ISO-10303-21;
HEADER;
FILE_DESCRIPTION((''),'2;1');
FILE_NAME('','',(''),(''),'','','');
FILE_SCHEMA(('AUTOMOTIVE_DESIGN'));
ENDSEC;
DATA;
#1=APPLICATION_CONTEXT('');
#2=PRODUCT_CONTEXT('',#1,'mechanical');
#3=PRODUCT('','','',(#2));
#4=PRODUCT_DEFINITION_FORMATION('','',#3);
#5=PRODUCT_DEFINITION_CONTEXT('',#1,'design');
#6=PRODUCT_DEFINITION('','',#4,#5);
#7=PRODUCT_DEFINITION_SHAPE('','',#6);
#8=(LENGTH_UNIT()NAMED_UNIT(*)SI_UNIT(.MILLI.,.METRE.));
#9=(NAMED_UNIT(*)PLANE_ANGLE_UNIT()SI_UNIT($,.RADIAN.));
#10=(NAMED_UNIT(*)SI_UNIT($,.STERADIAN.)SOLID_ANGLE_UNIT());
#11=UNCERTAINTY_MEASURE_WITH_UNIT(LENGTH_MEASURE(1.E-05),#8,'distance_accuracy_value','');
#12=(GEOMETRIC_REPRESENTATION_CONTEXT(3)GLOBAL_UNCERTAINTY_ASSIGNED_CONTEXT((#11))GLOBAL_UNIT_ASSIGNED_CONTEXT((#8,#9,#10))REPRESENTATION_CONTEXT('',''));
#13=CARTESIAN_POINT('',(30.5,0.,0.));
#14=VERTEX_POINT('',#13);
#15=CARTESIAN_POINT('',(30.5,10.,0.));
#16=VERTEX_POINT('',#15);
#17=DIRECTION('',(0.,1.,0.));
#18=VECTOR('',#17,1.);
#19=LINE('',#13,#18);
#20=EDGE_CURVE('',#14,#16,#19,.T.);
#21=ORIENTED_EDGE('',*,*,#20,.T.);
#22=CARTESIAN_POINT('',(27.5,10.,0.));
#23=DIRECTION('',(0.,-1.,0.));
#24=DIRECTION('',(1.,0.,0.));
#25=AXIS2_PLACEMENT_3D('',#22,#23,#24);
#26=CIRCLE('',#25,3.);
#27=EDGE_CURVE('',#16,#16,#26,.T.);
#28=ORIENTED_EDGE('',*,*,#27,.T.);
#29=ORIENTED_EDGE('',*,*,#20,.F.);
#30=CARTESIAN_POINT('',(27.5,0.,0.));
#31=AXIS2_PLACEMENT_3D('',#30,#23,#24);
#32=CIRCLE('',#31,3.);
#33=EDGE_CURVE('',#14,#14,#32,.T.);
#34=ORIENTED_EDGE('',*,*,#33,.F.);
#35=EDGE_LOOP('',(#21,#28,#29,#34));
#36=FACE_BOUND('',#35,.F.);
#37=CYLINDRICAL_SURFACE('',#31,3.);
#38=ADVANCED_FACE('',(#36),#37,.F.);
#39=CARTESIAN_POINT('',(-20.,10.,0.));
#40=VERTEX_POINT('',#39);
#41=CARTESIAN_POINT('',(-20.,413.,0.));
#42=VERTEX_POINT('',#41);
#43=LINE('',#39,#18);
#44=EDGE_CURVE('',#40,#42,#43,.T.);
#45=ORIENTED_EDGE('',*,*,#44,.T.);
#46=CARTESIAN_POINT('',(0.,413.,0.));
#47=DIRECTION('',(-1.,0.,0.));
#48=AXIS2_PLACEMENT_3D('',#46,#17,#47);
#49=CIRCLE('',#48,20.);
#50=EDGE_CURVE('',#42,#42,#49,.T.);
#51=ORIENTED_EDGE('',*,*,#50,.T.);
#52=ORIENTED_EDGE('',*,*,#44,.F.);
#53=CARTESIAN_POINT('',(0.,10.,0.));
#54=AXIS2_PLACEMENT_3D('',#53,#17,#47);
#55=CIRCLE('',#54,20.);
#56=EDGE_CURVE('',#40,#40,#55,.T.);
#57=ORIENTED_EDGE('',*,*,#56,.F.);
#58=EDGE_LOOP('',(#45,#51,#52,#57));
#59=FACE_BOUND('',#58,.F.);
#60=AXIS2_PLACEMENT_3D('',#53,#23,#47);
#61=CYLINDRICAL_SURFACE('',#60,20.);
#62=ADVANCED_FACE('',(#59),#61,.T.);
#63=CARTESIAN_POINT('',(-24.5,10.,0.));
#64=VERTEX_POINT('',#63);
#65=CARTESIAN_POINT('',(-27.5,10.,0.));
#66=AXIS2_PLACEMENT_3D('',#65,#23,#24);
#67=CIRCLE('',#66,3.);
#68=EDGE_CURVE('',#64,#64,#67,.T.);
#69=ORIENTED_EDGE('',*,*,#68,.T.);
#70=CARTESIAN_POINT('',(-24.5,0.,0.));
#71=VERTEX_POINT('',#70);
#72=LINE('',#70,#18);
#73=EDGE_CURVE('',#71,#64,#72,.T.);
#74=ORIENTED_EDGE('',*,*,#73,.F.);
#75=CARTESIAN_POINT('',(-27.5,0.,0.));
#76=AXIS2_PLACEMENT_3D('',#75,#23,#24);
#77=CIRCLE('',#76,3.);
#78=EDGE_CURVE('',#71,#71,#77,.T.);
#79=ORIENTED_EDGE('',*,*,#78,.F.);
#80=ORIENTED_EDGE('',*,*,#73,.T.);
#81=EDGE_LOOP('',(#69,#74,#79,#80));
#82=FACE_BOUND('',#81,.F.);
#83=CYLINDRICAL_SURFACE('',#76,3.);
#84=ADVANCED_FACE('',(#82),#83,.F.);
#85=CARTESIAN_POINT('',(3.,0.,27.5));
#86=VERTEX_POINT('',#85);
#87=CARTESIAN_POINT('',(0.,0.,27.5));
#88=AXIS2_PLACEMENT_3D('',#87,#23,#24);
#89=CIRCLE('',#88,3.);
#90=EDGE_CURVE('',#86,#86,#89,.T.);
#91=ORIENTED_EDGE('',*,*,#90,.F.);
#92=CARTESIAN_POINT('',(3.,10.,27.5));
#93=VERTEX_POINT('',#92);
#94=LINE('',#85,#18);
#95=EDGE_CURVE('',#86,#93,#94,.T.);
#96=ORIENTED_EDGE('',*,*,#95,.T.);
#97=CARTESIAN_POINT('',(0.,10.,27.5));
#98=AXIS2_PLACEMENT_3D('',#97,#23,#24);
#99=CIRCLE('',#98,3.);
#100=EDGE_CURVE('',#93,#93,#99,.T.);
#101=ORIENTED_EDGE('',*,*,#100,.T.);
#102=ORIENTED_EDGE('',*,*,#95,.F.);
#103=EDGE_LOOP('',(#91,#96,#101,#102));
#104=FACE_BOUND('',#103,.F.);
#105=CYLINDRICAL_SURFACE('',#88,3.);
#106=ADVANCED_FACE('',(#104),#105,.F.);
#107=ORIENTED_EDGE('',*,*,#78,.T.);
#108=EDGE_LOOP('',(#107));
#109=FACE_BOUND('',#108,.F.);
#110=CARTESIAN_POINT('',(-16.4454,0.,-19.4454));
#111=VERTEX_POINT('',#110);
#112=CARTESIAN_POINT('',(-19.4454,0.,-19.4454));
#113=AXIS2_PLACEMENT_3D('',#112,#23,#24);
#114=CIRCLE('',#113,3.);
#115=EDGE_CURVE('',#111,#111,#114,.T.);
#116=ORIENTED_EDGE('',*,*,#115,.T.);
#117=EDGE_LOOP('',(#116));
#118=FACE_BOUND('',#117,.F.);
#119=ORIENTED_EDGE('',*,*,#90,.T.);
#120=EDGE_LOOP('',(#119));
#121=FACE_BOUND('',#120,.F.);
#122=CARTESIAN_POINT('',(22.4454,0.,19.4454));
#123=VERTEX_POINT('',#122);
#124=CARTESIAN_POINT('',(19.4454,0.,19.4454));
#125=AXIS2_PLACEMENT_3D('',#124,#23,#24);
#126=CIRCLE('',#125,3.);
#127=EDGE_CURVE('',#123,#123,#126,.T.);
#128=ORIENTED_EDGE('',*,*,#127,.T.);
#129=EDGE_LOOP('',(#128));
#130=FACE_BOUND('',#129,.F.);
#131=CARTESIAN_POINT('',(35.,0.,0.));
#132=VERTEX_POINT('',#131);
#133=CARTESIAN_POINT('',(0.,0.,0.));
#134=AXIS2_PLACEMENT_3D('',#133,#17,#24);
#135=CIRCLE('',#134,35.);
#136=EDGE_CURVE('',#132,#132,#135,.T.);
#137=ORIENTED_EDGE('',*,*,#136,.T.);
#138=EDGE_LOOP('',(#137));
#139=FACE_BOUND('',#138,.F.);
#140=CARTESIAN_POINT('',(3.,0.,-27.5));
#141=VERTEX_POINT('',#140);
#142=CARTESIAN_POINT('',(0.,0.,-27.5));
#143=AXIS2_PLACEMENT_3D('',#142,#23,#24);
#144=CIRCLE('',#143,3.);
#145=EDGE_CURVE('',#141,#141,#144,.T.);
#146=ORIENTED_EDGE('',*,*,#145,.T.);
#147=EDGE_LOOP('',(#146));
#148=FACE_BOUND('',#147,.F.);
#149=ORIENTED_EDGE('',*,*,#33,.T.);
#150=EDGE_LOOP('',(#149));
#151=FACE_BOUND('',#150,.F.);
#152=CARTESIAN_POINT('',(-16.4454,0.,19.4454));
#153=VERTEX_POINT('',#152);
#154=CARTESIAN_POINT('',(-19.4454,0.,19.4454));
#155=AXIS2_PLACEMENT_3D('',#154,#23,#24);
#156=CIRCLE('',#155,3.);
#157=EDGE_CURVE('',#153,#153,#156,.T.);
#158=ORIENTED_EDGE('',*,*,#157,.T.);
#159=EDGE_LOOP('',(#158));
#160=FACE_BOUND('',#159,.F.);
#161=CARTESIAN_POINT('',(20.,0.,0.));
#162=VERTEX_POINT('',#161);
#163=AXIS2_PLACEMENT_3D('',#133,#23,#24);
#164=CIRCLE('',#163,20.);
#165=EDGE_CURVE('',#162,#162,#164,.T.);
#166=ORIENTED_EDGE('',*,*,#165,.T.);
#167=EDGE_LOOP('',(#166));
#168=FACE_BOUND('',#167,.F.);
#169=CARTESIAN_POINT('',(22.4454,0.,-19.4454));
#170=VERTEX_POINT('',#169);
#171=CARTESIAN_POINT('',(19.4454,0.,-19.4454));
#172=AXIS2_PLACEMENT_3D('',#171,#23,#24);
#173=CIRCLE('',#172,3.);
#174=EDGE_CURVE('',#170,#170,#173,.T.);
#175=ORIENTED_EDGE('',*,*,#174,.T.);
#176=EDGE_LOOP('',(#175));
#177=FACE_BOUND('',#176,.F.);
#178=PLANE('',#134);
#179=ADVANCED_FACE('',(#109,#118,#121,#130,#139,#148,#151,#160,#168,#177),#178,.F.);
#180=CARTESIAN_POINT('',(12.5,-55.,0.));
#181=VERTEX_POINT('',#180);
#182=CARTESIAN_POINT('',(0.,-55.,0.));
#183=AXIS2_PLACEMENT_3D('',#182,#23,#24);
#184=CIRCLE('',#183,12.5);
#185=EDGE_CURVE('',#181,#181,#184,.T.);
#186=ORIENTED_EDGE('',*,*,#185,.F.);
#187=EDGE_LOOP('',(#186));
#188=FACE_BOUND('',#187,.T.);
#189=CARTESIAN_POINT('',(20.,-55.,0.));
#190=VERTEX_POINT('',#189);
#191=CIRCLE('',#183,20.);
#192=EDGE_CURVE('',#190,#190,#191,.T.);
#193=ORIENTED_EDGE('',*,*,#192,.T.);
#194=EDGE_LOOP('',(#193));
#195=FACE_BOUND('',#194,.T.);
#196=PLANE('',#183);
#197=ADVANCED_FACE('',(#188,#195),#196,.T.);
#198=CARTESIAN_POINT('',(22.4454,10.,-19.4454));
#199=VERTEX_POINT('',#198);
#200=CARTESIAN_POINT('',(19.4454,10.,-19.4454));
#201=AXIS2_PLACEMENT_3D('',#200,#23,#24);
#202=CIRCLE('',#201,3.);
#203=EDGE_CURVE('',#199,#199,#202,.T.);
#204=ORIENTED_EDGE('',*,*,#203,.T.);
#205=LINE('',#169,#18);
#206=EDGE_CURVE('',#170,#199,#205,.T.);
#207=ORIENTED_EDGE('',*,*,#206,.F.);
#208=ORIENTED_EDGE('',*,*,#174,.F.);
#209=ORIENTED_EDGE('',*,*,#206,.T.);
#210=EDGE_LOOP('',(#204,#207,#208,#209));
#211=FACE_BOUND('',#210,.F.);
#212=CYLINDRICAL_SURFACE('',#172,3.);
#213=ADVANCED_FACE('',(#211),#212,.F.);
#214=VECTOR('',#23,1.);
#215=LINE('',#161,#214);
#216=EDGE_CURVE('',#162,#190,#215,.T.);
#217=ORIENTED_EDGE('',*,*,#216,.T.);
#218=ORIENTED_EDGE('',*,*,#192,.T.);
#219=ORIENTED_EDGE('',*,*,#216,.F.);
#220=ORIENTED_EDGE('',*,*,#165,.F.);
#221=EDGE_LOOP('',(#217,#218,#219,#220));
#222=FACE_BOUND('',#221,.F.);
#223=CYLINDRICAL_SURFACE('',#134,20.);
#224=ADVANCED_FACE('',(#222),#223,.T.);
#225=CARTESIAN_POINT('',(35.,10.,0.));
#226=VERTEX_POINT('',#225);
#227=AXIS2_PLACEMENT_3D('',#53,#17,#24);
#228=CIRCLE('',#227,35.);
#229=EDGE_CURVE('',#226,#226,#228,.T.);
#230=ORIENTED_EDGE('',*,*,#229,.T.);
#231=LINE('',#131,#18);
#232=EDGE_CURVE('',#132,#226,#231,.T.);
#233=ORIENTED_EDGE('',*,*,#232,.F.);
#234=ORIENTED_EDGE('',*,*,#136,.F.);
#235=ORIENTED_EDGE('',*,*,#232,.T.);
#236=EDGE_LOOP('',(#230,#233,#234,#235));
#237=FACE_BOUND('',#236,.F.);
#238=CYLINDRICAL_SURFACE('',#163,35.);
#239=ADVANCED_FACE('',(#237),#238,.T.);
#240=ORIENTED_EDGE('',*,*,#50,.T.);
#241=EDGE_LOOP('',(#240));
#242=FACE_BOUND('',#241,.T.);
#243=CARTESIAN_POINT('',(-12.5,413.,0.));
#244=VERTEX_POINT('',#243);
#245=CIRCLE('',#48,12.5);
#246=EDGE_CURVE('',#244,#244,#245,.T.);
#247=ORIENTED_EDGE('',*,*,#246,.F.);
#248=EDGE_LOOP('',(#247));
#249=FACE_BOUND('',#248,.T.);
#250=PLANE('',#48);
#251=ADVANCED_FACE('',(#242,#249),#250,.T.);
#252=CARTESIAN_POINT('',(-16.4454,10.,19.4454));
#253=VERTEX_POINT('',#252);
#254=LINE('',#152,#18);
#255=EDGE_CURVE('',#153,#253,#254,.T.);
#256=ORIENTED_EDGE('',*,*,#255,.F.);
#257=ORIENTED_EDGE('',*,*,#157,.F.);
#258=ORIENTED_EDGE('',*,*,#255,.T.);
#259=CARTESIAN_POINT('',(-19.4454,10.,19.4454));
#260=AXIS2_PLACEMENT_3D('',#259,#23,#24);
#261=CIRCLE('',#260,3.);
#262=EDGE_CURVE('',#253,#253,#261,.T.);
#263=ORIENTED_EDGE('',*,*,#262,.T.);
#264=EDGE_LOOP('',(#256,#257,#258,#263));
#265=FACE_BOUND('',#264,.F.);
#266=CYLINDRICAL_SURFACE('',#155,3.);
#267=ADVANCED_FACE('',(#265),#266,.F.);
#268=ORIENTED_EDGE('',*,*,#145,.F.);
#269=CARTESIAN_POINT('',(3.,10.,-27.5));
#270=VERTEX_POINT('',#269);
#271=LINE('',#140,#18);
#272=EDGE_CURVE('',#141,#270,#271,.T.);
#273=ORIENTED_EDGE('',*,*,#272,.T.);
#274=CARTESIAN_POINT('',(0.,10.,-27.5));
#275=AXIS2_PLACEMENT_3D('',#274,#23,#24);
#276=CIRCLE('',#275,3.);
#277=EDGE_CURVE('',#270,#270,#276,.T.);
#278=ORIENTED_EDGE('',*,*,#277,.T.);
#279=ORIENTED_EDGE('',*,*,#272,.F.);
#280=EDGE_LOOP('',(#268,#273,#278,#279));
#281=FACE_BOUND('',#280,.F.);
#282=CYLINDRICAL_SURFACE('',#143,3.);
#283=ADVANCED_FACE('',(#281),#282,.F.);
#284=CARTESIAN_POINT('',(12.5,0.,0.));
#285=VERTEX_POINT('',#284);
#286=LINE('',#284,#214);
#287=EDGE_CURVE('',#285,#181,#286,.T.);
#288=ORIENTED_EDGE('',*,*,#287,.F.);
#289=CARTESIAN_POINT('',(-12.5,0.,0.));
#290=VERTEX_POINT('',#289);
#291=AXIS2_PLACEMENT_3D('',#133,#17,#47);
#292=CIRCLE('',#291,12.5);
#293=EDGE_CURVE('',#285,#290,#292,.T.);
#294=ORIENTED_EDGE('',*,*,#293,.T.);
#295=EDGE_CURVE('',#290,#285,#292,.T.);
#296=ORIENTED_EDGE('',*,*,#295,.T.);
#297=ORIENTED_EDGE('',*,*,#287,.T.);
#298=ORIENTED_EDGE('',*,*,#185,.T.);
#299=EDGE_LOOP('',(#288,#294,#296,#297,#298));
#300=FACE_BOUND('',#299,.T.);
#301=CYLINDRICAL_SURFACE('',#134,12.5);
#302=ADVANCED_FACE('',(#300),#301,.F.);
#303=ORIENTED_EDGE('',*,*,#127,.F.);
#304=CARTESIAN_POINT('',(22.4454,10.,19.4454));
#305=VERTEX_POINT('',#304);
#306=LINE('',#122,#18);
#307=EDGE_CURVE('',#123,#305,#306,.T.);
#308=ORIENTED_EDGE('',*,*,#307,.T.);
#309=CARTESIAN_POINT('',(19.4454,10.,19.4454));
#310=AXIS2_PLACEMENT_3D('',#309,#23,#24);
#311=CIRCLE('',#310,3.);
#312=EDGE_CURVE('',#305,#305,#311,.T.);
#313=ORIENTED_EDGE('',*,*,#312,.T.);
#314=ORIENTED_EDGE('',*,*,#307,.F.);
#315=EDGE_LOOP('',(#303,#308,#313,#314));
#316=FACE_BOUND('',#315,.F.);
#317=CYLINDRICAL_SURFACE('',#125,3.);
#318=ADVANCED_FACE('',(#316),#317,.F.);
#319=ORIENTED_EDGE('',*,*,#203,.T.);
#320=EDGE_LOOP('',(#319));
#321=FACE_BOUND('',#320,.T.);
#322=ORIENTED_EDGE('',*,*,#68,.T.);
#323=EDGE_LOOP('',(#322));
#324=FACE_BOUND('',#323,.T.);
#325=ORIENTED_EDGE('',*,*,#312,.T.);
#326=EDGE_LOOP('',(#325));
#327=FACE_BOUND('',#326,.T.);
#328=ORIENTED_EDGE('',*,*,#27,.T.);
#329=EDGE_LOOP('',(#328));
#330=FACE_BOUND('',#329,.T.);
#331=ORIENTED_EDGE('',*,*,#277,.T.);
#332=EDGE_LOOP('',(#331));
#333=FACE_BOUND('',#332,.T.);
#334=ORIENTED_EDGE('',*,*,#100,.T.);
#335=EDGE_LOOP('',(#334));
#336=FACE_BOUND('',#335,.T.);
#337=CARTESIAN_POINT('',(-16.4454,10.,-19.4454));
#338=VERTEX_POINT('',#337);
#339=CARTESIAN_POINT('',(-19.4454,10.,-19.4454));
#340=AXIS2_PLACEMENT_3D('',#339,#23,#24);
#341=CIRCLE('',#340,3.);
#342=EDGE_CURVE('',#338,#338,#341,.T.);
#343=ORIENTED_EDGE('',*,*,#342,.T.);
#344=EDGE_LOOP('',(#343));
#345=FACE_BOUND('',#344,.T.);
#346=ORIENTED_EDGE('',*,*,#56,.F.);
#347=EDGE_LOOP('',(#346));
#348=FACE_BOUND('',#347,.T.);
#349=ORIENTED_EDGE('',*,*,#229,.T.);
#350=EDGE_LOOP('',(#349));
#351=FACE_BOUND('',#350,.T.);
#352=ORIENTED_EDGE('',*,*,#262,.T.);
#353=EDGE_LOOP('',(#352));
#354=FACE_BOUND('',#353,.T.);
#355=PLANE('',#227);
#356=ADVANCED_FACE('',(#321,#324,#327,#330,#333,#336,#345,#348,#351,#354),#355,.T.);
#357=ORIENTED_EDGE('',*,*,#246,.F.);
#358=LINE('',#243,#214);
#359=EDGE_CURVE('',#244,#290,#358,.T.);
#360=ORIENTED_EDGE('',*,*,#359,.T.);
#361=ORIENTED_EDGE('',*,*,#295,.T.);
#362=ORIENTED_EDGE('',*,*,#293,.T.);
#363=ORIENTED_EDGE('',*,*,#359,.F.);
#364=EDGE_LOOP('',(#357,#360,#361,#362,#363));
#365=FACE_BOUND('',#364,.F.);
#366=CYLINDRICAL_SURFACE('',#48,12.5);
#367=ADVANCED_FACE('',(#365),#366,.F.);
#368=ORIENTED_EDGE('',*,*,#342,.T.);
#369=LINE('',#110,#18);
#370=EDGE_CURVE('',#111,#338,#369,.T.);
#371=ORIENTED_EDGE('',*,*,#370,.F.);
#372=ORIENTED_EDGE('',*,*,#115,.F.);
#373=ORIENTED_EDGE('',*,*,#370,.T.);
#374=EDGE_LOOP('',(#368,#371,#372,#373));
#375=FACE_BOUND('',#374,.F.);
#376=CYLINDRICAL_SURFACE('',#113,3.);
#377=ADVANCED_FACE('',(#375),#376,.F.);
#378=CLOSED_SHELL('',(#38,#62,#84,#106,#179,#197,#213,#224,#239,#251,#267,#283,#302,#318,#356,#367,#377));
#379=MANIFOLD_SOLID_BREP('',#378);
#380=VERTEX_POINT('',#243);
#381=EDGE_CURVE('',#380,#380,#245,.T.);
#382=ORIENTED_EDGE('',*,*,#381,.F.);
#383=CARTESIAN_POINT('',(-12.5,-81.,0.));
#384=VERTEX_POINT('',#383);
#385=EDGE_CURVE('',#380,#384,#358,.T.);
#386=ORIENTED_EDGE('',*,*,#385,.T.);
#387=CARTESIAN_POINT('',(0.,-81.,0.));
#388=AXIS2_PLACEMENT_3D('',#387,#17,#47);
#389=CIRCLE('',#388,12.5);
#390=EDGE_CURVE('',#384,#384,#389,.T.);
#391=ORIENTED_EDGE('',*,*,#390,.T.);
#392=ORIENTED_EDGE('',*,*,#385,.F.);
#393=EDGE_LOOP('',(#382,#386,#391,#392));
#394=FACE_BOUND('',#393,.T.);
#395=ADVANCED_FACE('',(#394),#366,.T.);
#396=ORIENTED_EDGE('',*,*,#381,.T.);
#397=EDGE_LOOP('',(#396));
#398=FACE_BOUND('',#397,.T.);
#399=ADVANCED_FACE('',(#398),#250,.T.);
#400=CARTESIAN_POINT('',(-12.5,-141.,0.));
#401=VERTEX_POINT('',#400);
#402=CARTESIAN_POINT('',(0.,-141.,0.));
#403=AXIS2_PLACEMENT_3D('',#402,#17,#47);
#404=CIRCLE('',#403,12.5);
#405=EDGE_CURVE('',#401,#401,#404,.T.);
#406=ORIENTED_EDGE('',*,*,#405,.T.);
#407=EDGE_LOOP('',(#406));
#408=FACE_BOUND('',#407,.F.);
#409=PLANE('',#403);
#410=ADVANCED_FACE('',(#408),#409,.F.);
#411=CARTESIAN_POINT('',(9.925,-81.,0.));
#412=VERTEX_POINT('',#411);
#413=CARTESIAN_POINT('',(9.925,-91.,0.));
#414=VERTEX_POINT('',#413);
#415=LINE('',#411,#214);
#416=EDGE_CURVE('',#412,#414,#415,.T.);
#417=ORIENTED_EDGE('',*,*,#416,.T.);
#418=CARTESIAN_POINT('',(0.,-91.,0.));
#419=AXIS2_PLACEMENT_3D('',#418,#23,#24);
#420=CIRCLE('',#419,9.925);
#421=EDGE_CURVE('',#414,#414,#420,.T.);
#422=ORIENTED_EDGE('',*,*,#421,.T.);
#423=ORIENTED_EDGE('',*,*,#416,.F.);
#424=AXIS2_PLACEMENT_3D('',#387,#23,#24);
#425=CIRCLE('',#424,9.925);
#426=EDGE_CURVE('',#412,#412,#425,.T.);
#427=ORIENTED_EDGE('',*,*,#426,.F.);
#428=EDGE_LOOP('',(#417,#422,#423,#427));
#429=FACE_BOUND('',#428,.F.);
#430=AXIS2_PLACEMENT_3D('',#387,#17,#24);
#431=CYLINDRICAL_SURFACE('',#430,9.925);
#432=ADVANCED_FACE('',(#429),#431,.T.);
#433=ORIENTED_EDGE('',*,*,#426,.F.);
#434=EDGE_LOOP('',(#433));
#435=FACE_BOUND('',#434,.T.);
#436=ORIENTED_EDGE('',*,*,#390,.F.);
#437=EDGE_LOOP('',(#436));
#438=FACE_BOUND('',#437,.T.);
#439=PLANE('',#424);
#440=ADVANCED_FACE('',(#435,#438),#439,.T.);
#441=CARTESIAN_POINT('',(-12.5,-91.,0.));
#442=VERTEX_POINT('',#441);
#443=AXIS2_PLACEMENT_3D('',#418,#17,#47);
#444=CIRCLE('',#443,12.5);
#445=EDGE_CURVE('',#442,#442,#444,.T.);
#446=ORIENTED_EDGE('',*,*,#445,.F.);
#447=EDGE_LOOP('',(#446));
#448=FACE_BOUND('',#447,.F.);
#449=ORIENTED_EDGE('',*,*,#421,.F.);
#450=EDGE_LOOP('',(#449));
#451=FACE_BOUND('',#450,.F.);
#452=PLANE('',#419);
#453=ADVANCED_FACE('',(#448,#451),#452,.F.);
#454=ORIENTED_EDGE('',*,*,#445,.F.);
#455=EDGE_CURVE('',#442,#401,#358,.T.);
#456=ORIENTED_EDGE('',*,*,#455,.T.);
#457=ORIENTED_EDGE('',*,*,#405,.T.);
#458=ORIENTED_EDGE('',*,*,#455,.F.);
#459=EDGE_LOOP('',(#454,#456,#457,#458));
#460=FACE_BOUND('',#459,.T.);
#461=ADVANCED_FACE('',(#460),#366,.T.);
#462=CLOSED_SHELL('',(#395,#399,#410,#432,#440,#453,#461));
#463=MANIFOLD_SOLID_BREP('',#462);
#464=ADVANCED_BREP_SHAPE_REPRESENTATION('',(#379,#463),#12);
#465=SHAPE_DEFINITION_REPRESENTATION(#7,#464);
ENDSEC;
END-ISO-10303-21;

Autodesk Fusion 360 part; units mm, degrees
sketch "Sketch1" plane through (0, 0, 0) normal (0, 1, 0) x (1, 0, 0)
  circle A0 centre (0, 0) radius 35
  dimension "d1" = 70
extrude "Extrude1" add sketch "Sketch1" along normal blind 10 makes body 1
sketch "Sketch2" plane through (0, 10, 0) normal (0, 1, 0) x (-1, 0, 0)
  circle A0 centre (0, 0) radius 35
  circle A1 centre (0, 0) radius 20
  dimension "d4" = 40
extrude "Extrude2" add sketch "Sketch2" along normal blind 403 contours A1 bodies 1
sketch "Sketch3" plane through (0, 413, 0) normal (0, 1, 0) x (-1, 0, 0)
  circle A0 centre (0, 0) radius 20
sketch "Sketch4" plane through (0, 413, 0) normal (0, 1, 0) x (-1, 0, 0)
  circle A0 centre (0, 0) radius 12.5
  dimension "d7" = 25
extrude "Extrude3" cut sketch "Sketch4" against normal blind 440 bodies 1
sketch "Sketch5" plane through (0, 0, 0) normal (0, -1, 0) x (1, 0, 0)
  circle A0 centre (0, 0) radius 12.5
  circle A1 centre (0, 0) radius 35
  circle A2 centre (0, 0) radius 20
  dimension "d10" = 40
extrude "Extrude4" add sketch "Sketch5" along normal blind 55 contours A2 bodies 1
sketch "Sketch6" plane through (0, 0, 0) normal (0, -1, 0) x (1, 0, 0)
  circle A0 centre (0, 0) radius 20
  circle A1 centre (0, 0) radius 35
  circle A2 centre (0, 27.5) radius 3
  circle A3 centre (-19.4454, 19.4454) radius 3
  circle A4 centre (-27.5, 0) radius 3
  circle A5 centre (-19.4454, -19.4454) radius 3
  circle A6 centre (0, -27.5) radius 3
  circle A7 centre (19.4454, -19.4454) radius 3
  circle A8 centre (27.5, 0) radius 3
  circle A9 centre (19.4454, 19.4454) radius 3
  dimension "d16" = 360
extrude "Extrude5" cut sketch "Sketch6" against normal blind 50 contours A2 | A3 | A4 | A5 | A6 | A7 | A8 | A9 bodies 1
sketch "Sketch7" plane through (0, 413, 0) normal (0, 1, 0) x (-1, 0, 0)
  circle A0 centre (0, 0) radius 12.5
extrude "Extrude6" add sketch "Sketch7" against normal blind 468 separate body makes body 2
extrude "Extrude7" add 1 faces at (3.3879, -55, -0.621) along direction (0, -1, 0) blind 86 separate body on bodies 2 makes body 3
combine "Combine1" operation add target body 2 tool bodies 3
ref_plane "WorkPlane1" through (0, -81, 0) normal (0, -1, 0) x (1, 0, 0)
sketch "Sketch8" plane through (0, -81, 0) normal (0, -1, 0) x (1, 0, 0)
  circle A0 centre (0, 0) radius 9.925
  circle A1 centre (0, 0) radius 13
  dimension "d24" = 19.85
  dimension "d25" = 26
extrude "Extrude8" add sketch "Sketch8" along normal blind 10 separate body makes body 4
combine "Combine2" operation cut target body 2 tool bodies 4
equation "d16 = 360.0 °"
